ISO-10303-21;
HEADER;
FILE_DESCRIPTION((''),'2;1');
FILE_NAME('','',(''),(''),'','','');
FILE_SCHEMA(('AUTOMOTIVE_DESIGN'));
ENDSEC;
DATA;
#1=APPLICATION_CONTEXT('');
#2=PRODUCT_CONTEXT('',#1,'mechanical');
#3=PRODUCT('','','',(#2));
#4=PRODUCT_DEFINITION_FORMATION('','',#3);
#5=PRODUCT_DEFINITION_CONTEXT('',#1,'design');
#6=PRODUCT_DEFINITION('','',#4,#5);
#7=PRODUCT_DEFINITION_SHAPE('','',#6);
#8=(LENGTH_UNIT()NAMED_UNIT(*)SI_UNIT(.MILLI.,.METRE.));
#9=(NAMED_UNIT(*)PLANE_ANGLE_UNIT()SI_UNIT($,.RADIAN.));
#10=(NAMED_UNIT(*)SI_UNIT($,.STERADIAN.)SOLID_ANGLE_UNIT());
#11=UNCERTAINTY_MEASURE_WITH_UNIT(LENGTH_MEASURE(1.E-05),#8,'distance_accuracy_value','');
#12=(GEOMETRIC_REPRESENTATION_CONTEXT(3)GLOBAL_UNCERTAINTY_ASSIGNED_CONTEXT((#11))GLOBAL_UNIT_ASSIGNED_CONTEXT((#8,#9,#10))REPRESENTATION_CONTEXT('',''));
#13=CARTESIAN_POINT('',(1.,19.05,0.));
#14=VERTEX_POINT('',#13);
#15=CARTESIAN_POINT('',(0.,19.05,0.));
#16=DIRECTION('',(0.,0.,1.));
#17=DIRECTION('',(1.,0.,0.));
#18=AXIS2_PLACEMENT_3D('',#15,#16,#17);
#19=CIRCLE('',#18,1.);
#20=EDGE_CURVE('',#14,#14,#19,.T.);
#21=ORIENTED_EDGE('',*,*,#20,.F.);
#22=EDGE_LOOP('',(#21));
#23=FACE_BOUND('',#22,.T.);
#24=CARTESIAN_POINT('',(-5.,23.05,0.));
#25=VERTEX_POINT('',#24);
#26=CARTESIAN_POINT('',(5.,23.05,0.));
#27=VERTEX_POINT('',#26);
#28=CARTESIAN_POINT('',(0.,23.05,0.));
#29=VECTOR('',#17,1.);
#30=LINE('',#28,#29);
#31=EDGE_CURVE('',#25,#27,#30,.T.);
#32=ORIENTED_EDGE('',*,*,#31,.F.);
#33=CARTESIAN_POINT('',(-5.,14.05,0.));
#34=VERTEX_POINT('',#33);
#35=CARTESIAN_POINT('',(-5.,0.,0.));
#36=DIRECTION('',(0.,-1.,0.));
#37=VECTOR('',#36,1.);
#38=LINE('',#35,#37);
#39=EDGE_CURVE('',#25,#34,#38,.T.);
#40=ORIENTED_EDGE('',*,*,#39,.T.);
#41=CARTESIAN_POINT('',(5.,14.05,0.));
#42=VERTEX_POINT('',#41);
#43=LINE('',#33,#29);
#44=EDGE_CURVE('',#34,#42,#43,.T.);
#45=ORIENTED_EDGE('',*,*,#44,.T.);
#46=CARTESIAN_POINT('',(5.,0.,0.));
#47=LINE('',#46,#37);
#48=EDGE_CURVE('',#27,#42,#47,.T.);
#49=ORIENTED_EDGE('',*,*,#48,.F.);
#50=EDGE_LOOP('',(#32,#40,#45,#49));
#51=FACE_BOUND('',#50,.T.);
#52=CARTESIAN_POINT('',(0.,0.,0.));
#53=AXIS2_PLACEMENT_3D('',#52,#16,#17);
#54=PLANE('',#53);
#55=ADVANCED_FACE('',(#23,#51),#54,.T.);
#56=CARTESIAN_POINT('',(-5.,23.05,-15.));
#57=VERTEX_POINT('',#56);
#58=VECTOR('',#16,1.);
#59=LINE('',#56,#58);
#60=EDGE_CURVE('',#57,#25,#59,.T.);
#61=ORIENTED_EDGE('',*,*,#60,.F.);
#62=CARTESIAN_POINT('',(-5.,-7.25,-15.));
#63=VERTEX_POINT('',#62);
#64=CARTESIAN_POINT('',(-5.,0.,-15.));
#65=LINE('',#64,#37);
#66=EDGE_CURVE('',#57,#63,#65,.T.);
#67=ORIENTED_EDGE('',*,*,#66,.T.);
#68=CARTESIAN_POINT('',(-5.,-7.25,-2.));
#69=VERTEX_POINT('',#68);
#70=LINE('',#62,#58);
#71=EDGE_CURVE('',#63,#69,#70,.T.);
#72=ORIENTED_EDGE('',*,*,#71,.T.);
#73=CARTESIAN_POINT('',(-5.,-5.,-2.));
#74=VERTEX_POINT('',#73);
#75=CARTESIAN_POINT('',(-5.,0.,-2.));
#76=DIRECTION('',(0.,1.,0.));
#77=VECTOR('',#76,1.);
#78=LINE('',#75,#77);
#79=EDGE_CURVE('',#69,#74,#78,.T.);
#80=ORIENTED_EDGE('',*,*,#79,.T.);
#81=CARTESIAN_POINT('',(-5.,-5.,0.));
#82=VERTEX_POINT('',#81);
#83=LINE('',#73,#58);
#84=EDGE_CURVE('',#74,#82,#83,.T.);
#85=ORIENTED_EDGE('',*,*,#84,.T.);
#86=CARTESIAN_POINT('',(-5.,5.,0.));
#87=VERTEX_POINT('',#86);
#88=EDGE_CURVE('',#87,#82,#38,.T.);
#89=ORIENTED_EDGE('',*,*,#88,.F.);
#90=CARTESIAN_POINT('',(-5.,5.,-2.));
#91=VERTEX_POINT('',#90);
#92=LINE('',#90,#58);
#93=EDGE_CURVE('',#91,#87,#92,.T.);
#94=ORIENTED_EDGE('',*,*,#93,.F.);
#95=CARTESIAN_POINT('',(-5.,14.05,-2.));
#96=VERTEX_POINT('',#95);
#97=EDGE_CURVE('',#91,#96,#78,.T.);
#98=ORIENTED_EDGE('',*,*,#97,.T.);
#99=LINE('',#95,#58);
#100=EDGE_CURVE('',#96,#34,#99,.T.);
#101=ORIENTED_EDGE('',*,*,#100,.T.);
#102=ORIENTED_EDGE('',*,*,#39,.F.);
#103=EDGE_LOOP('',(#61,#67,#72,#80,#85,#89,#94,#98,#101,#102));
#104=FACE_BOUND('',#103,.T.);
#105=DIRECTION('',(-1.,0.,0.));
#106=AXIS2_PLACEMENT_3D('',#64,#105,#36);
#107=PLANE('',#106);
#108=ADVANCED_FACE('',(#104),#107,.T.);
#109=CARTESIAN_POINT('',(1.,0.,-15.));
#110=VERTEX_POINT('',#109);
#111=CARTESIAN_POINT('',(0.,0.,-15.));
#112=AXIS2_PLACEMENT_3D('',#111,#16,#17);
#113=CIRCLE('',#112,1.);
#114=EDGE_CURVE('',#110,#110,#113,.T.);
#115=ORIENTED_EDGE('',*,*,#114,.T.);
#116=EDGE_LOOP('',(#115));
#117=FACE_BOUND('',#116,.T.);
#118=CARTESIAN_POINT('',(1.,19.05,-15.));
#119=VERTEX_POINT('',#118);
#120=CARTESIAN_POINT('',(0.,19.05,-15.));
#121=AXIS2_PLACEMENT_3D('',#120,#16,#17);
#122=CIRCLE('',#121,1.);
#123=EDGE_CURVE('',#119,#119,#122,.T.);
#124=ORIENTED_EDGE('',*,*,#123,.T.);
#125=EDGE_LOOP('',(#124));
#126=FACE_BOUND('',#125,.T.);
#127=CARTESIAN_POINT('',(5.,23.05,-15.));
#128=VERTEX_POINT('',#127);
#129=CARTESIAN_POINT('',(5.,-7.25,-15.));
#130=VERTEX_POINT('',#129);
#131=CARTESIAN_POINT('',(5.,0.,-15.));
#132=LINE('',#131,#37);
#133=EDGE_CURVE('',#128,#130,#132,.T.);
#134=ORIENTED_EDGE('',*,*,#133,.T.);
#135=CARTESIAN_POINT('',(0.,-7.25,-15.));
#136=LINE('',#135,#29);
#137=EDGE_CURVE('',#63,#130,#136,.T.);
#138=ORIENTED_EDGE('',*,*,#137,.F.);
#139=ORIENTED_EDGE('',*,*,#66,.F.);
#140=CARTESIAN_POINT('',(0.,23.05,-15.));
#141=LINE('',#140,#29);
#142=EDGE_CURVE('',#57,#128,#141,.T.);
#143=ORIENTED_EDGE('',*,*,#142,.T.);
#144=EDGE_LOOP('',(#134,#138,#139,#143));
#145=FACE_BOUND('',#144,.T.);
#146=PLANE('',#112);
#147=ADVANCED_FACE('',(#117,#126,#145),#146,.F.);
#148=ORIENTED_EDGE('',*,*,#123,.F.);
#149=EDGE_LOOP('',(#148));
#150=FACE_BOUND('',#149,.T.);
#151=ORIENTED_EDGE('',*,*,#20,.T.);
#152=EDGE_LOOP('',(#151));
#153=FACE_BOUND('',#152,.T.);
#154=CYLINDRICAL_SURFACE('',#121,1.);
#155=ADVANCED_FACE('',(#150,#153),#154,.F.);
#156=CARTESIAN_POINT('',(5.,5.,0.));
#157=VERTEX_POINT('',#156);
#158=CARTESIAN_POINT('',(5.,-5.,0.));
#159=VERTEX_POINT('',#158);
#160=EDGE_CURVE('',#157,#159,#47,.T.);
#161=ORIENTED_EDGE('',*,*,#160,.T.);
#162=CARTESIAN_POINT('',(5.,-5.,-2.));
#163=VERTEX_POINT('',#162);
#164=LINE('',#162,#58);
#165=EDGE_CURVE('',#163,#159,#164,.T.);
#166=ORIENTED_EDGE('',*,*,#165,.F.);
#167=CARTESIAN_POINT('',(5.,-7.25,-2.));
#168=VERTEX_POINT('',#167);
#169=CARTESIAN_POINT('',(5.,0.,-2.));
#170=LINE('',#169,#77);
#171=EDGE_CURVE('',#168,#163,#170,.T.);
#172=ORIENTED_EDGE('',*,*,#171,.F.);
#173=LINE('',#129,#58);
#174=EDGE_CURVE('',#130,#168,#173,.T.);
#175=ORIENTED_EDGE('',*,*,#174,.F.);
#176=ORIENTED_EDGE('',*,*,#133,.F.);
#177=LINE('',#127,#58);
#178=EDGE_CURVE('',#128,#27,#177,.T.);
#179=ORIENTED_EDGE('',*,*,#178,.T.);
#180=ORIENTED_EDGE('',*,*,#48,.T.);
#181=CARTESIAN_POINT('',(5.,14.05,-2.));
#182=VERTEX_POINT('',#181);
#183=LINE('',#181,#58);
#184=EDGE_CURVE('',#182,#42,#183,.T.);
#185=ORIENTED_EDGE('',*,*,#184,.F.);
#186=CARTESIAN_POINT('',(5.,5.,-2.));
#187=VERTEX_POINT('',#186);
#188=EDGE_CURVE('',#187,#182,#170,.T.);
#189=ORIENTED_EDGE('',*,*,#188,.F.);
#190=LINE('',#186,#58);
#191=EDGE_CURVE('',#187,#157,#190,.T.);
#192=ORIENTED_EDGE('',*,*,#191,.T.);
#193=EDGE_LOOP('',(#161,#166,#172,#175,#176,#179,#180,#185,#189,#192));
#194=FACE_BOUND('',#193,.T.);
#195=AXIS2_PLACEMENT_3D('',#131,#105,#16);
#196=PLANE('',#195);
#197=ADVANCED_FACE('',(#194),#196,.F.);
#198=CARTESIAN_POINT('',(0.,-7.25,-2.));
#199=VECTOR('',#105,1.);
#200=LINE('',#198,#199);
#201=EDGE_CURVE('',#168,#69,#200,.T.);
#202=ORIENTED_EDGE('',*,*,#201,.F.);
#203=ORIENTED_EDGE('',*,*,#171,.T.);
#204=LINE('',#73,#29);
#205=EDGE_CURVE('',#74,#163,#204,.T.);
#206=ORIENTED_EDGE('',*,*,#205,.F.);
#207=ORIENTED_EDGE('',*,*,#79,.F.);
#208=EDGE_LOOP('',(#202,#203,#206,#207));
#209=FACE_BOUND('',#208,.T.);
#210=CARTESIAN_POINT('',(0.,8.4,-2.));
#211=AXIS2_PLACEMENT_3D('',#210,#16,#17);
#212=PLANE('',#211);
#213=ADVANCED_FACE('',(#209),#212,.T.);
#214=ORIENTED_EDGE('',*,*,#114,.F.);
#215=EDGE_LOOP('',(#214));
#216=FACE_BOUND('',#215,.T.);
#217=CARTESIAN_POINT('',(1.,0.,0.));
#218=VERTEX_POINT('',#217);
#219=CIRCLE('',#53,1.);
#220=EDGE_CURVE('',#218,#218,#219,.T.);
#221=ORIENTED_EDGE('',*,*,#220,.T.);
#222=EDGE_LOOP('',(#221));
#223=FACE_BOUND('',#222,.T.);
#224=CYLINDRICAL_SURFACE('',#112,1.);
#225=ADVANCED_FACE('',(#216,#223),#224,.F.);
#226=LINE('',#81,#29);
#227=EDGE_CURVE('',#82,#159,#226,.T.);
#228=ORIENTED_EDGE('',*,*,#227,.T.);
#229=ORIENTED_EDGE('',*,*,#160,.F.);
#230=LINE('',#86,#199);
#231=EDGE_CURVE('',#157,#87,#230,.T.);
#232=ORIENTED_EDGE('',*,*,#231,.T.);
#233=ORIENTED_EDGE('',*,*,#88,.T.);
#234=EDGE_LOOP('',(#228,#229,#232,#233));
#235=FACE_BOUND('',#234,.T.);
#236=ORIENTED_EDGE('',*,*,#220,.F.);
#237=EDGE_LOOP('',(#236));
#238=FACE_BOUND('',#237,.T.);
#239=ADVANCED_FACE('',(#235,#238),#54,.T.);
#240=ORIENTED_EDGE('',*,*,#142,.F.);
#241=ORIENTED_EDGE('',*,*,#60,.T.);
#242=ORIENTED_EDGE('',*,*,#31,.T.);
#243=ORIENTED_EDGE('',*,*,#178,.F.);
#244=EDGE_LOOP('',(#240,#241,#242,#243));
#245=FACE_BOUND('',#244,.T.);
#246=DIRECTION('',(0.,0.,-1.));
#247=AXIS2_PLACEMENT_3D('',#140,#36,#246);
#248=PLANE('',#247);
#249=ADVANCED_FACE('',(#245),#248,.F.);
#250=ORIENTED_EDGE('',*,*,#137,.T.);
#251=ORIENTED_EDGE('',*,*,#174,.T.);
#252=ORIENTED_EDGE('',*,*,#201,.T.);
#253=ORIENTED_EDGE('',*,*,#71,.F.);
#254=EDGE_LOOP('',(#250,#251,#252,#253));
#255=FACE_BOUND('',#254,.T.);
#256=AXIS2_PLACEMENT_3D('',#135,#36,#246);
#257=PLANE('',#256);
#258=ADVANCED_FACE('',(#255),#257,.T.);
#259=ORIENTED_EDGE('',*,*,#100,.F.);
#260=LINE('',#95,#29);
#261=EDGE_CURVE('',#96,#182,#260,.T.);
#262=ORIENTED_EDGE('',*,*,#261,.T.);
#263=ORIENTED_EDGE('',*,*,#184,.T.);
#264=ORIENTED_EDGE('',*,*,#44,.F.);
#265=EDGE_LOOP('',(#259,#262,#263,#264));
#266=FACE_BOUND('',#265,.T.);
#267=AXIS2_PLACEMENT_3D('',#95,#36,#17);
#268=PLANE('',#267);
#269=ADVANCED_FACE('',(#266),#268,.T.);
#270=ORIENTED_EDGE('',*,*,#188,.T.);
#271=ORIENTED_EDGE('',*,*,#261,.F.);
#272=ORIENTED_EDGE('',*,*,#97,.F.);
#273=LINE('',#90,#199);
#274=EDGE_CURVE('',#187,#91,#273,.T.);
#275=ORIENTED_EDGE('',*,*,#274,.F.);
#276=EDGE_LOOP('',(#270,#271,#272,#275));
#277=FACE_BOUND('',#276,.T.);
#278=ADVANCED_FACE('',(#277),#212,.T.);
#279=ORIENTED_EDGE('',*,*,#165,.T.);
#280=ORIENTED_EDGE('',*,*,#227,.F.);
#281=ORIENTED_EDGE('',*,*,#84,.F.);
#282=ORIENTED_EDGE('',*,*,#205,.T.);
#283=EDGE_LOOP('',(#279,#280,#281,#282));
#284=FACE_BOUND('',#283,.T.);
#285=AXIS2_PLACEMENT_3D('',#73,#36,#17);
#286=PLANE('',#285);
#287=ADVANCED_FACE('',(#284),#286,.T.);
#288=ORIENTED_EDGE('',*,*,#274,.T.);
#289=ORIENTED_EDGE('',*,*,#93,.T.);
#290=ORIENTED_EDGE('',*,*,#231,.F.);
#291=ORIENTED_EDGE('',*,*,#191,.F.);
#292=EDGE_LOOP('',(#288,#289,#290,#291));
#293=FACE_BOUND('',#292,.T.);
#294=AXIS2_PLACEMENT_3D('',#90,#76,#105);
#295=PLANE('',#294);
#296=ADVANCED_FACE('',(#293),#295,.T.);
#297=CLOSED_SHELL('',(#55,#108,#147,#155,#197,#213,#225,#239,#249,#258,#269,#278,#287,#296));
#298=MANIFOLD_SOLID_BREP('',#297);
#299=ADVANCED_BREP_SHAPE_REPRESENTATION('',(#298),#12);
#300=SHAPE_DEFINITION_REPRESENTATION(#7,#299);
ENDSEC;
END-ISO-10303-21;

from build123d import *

# Parameters (mm, degrees)
SKETCH1_W           = 10
SKETCH1_H           = 27.05
SKETCH1_R           = 1
SKETCH1_H_2         = 3.25
BOSS_EXTRUDE1_DEPTH = 15
SKETCH2_OUTSIDE_W   = 19.052
SKETCH2_OUTSIDE_H   = 39.352
SKETCH2_OUTSIDE_W_2 = 10
SKETCH2_OUTSIDE_H_2 = 10
CUT_EXTRUDE1_DEPTH  = 2


with BuildPart() as part:
    # Sketch1 → Boss-Extrude1 (new body)
    with BuildSketch(Plane.XY):
        with Locations((0, 9.525)):
            Rectangle(SKETCH1_W, SKETCH1_H)
        with Locations((0, 19.05)):
            Circle(SKETCH1_R, mode=Mode.SUBTRACT)
        Circle(SKETCH1_R, mode=Mode.SUBTRACT)
        with Locations((0, -5.625)):
            Rectangle(SKETCH1_W, SKETCH1_H_2)
    extrude(amount=-BOSS_EXTRUDE1_DEPTH)

    # Sketch2 outside → Cut-Extrude1 (cut)
    with BuildSketch(Plane.XY):
        with Locations((0, 7.9)):
            Rectangle(SKETCH2_OUTSIDE_W, SKETCH2_OUTSIDE_H)
        with Locations((0, 19.05)):
            Rectangle(SKETCH2_OUTSIDE_W_2, SKETCH2_OUTSIDE_H_2, mode=Mode.SUBTRACT)
        Rectangle(SKETCH2_OUTSIDE_W_2, SKETCH2_OUTSIDE_H_2, mode=Mode.SUBTRACT)
    extrude(amount=-CUT_EXTRUDE1_DEPTH, mode=Mode.SUBTRACT)


solid = part.part
